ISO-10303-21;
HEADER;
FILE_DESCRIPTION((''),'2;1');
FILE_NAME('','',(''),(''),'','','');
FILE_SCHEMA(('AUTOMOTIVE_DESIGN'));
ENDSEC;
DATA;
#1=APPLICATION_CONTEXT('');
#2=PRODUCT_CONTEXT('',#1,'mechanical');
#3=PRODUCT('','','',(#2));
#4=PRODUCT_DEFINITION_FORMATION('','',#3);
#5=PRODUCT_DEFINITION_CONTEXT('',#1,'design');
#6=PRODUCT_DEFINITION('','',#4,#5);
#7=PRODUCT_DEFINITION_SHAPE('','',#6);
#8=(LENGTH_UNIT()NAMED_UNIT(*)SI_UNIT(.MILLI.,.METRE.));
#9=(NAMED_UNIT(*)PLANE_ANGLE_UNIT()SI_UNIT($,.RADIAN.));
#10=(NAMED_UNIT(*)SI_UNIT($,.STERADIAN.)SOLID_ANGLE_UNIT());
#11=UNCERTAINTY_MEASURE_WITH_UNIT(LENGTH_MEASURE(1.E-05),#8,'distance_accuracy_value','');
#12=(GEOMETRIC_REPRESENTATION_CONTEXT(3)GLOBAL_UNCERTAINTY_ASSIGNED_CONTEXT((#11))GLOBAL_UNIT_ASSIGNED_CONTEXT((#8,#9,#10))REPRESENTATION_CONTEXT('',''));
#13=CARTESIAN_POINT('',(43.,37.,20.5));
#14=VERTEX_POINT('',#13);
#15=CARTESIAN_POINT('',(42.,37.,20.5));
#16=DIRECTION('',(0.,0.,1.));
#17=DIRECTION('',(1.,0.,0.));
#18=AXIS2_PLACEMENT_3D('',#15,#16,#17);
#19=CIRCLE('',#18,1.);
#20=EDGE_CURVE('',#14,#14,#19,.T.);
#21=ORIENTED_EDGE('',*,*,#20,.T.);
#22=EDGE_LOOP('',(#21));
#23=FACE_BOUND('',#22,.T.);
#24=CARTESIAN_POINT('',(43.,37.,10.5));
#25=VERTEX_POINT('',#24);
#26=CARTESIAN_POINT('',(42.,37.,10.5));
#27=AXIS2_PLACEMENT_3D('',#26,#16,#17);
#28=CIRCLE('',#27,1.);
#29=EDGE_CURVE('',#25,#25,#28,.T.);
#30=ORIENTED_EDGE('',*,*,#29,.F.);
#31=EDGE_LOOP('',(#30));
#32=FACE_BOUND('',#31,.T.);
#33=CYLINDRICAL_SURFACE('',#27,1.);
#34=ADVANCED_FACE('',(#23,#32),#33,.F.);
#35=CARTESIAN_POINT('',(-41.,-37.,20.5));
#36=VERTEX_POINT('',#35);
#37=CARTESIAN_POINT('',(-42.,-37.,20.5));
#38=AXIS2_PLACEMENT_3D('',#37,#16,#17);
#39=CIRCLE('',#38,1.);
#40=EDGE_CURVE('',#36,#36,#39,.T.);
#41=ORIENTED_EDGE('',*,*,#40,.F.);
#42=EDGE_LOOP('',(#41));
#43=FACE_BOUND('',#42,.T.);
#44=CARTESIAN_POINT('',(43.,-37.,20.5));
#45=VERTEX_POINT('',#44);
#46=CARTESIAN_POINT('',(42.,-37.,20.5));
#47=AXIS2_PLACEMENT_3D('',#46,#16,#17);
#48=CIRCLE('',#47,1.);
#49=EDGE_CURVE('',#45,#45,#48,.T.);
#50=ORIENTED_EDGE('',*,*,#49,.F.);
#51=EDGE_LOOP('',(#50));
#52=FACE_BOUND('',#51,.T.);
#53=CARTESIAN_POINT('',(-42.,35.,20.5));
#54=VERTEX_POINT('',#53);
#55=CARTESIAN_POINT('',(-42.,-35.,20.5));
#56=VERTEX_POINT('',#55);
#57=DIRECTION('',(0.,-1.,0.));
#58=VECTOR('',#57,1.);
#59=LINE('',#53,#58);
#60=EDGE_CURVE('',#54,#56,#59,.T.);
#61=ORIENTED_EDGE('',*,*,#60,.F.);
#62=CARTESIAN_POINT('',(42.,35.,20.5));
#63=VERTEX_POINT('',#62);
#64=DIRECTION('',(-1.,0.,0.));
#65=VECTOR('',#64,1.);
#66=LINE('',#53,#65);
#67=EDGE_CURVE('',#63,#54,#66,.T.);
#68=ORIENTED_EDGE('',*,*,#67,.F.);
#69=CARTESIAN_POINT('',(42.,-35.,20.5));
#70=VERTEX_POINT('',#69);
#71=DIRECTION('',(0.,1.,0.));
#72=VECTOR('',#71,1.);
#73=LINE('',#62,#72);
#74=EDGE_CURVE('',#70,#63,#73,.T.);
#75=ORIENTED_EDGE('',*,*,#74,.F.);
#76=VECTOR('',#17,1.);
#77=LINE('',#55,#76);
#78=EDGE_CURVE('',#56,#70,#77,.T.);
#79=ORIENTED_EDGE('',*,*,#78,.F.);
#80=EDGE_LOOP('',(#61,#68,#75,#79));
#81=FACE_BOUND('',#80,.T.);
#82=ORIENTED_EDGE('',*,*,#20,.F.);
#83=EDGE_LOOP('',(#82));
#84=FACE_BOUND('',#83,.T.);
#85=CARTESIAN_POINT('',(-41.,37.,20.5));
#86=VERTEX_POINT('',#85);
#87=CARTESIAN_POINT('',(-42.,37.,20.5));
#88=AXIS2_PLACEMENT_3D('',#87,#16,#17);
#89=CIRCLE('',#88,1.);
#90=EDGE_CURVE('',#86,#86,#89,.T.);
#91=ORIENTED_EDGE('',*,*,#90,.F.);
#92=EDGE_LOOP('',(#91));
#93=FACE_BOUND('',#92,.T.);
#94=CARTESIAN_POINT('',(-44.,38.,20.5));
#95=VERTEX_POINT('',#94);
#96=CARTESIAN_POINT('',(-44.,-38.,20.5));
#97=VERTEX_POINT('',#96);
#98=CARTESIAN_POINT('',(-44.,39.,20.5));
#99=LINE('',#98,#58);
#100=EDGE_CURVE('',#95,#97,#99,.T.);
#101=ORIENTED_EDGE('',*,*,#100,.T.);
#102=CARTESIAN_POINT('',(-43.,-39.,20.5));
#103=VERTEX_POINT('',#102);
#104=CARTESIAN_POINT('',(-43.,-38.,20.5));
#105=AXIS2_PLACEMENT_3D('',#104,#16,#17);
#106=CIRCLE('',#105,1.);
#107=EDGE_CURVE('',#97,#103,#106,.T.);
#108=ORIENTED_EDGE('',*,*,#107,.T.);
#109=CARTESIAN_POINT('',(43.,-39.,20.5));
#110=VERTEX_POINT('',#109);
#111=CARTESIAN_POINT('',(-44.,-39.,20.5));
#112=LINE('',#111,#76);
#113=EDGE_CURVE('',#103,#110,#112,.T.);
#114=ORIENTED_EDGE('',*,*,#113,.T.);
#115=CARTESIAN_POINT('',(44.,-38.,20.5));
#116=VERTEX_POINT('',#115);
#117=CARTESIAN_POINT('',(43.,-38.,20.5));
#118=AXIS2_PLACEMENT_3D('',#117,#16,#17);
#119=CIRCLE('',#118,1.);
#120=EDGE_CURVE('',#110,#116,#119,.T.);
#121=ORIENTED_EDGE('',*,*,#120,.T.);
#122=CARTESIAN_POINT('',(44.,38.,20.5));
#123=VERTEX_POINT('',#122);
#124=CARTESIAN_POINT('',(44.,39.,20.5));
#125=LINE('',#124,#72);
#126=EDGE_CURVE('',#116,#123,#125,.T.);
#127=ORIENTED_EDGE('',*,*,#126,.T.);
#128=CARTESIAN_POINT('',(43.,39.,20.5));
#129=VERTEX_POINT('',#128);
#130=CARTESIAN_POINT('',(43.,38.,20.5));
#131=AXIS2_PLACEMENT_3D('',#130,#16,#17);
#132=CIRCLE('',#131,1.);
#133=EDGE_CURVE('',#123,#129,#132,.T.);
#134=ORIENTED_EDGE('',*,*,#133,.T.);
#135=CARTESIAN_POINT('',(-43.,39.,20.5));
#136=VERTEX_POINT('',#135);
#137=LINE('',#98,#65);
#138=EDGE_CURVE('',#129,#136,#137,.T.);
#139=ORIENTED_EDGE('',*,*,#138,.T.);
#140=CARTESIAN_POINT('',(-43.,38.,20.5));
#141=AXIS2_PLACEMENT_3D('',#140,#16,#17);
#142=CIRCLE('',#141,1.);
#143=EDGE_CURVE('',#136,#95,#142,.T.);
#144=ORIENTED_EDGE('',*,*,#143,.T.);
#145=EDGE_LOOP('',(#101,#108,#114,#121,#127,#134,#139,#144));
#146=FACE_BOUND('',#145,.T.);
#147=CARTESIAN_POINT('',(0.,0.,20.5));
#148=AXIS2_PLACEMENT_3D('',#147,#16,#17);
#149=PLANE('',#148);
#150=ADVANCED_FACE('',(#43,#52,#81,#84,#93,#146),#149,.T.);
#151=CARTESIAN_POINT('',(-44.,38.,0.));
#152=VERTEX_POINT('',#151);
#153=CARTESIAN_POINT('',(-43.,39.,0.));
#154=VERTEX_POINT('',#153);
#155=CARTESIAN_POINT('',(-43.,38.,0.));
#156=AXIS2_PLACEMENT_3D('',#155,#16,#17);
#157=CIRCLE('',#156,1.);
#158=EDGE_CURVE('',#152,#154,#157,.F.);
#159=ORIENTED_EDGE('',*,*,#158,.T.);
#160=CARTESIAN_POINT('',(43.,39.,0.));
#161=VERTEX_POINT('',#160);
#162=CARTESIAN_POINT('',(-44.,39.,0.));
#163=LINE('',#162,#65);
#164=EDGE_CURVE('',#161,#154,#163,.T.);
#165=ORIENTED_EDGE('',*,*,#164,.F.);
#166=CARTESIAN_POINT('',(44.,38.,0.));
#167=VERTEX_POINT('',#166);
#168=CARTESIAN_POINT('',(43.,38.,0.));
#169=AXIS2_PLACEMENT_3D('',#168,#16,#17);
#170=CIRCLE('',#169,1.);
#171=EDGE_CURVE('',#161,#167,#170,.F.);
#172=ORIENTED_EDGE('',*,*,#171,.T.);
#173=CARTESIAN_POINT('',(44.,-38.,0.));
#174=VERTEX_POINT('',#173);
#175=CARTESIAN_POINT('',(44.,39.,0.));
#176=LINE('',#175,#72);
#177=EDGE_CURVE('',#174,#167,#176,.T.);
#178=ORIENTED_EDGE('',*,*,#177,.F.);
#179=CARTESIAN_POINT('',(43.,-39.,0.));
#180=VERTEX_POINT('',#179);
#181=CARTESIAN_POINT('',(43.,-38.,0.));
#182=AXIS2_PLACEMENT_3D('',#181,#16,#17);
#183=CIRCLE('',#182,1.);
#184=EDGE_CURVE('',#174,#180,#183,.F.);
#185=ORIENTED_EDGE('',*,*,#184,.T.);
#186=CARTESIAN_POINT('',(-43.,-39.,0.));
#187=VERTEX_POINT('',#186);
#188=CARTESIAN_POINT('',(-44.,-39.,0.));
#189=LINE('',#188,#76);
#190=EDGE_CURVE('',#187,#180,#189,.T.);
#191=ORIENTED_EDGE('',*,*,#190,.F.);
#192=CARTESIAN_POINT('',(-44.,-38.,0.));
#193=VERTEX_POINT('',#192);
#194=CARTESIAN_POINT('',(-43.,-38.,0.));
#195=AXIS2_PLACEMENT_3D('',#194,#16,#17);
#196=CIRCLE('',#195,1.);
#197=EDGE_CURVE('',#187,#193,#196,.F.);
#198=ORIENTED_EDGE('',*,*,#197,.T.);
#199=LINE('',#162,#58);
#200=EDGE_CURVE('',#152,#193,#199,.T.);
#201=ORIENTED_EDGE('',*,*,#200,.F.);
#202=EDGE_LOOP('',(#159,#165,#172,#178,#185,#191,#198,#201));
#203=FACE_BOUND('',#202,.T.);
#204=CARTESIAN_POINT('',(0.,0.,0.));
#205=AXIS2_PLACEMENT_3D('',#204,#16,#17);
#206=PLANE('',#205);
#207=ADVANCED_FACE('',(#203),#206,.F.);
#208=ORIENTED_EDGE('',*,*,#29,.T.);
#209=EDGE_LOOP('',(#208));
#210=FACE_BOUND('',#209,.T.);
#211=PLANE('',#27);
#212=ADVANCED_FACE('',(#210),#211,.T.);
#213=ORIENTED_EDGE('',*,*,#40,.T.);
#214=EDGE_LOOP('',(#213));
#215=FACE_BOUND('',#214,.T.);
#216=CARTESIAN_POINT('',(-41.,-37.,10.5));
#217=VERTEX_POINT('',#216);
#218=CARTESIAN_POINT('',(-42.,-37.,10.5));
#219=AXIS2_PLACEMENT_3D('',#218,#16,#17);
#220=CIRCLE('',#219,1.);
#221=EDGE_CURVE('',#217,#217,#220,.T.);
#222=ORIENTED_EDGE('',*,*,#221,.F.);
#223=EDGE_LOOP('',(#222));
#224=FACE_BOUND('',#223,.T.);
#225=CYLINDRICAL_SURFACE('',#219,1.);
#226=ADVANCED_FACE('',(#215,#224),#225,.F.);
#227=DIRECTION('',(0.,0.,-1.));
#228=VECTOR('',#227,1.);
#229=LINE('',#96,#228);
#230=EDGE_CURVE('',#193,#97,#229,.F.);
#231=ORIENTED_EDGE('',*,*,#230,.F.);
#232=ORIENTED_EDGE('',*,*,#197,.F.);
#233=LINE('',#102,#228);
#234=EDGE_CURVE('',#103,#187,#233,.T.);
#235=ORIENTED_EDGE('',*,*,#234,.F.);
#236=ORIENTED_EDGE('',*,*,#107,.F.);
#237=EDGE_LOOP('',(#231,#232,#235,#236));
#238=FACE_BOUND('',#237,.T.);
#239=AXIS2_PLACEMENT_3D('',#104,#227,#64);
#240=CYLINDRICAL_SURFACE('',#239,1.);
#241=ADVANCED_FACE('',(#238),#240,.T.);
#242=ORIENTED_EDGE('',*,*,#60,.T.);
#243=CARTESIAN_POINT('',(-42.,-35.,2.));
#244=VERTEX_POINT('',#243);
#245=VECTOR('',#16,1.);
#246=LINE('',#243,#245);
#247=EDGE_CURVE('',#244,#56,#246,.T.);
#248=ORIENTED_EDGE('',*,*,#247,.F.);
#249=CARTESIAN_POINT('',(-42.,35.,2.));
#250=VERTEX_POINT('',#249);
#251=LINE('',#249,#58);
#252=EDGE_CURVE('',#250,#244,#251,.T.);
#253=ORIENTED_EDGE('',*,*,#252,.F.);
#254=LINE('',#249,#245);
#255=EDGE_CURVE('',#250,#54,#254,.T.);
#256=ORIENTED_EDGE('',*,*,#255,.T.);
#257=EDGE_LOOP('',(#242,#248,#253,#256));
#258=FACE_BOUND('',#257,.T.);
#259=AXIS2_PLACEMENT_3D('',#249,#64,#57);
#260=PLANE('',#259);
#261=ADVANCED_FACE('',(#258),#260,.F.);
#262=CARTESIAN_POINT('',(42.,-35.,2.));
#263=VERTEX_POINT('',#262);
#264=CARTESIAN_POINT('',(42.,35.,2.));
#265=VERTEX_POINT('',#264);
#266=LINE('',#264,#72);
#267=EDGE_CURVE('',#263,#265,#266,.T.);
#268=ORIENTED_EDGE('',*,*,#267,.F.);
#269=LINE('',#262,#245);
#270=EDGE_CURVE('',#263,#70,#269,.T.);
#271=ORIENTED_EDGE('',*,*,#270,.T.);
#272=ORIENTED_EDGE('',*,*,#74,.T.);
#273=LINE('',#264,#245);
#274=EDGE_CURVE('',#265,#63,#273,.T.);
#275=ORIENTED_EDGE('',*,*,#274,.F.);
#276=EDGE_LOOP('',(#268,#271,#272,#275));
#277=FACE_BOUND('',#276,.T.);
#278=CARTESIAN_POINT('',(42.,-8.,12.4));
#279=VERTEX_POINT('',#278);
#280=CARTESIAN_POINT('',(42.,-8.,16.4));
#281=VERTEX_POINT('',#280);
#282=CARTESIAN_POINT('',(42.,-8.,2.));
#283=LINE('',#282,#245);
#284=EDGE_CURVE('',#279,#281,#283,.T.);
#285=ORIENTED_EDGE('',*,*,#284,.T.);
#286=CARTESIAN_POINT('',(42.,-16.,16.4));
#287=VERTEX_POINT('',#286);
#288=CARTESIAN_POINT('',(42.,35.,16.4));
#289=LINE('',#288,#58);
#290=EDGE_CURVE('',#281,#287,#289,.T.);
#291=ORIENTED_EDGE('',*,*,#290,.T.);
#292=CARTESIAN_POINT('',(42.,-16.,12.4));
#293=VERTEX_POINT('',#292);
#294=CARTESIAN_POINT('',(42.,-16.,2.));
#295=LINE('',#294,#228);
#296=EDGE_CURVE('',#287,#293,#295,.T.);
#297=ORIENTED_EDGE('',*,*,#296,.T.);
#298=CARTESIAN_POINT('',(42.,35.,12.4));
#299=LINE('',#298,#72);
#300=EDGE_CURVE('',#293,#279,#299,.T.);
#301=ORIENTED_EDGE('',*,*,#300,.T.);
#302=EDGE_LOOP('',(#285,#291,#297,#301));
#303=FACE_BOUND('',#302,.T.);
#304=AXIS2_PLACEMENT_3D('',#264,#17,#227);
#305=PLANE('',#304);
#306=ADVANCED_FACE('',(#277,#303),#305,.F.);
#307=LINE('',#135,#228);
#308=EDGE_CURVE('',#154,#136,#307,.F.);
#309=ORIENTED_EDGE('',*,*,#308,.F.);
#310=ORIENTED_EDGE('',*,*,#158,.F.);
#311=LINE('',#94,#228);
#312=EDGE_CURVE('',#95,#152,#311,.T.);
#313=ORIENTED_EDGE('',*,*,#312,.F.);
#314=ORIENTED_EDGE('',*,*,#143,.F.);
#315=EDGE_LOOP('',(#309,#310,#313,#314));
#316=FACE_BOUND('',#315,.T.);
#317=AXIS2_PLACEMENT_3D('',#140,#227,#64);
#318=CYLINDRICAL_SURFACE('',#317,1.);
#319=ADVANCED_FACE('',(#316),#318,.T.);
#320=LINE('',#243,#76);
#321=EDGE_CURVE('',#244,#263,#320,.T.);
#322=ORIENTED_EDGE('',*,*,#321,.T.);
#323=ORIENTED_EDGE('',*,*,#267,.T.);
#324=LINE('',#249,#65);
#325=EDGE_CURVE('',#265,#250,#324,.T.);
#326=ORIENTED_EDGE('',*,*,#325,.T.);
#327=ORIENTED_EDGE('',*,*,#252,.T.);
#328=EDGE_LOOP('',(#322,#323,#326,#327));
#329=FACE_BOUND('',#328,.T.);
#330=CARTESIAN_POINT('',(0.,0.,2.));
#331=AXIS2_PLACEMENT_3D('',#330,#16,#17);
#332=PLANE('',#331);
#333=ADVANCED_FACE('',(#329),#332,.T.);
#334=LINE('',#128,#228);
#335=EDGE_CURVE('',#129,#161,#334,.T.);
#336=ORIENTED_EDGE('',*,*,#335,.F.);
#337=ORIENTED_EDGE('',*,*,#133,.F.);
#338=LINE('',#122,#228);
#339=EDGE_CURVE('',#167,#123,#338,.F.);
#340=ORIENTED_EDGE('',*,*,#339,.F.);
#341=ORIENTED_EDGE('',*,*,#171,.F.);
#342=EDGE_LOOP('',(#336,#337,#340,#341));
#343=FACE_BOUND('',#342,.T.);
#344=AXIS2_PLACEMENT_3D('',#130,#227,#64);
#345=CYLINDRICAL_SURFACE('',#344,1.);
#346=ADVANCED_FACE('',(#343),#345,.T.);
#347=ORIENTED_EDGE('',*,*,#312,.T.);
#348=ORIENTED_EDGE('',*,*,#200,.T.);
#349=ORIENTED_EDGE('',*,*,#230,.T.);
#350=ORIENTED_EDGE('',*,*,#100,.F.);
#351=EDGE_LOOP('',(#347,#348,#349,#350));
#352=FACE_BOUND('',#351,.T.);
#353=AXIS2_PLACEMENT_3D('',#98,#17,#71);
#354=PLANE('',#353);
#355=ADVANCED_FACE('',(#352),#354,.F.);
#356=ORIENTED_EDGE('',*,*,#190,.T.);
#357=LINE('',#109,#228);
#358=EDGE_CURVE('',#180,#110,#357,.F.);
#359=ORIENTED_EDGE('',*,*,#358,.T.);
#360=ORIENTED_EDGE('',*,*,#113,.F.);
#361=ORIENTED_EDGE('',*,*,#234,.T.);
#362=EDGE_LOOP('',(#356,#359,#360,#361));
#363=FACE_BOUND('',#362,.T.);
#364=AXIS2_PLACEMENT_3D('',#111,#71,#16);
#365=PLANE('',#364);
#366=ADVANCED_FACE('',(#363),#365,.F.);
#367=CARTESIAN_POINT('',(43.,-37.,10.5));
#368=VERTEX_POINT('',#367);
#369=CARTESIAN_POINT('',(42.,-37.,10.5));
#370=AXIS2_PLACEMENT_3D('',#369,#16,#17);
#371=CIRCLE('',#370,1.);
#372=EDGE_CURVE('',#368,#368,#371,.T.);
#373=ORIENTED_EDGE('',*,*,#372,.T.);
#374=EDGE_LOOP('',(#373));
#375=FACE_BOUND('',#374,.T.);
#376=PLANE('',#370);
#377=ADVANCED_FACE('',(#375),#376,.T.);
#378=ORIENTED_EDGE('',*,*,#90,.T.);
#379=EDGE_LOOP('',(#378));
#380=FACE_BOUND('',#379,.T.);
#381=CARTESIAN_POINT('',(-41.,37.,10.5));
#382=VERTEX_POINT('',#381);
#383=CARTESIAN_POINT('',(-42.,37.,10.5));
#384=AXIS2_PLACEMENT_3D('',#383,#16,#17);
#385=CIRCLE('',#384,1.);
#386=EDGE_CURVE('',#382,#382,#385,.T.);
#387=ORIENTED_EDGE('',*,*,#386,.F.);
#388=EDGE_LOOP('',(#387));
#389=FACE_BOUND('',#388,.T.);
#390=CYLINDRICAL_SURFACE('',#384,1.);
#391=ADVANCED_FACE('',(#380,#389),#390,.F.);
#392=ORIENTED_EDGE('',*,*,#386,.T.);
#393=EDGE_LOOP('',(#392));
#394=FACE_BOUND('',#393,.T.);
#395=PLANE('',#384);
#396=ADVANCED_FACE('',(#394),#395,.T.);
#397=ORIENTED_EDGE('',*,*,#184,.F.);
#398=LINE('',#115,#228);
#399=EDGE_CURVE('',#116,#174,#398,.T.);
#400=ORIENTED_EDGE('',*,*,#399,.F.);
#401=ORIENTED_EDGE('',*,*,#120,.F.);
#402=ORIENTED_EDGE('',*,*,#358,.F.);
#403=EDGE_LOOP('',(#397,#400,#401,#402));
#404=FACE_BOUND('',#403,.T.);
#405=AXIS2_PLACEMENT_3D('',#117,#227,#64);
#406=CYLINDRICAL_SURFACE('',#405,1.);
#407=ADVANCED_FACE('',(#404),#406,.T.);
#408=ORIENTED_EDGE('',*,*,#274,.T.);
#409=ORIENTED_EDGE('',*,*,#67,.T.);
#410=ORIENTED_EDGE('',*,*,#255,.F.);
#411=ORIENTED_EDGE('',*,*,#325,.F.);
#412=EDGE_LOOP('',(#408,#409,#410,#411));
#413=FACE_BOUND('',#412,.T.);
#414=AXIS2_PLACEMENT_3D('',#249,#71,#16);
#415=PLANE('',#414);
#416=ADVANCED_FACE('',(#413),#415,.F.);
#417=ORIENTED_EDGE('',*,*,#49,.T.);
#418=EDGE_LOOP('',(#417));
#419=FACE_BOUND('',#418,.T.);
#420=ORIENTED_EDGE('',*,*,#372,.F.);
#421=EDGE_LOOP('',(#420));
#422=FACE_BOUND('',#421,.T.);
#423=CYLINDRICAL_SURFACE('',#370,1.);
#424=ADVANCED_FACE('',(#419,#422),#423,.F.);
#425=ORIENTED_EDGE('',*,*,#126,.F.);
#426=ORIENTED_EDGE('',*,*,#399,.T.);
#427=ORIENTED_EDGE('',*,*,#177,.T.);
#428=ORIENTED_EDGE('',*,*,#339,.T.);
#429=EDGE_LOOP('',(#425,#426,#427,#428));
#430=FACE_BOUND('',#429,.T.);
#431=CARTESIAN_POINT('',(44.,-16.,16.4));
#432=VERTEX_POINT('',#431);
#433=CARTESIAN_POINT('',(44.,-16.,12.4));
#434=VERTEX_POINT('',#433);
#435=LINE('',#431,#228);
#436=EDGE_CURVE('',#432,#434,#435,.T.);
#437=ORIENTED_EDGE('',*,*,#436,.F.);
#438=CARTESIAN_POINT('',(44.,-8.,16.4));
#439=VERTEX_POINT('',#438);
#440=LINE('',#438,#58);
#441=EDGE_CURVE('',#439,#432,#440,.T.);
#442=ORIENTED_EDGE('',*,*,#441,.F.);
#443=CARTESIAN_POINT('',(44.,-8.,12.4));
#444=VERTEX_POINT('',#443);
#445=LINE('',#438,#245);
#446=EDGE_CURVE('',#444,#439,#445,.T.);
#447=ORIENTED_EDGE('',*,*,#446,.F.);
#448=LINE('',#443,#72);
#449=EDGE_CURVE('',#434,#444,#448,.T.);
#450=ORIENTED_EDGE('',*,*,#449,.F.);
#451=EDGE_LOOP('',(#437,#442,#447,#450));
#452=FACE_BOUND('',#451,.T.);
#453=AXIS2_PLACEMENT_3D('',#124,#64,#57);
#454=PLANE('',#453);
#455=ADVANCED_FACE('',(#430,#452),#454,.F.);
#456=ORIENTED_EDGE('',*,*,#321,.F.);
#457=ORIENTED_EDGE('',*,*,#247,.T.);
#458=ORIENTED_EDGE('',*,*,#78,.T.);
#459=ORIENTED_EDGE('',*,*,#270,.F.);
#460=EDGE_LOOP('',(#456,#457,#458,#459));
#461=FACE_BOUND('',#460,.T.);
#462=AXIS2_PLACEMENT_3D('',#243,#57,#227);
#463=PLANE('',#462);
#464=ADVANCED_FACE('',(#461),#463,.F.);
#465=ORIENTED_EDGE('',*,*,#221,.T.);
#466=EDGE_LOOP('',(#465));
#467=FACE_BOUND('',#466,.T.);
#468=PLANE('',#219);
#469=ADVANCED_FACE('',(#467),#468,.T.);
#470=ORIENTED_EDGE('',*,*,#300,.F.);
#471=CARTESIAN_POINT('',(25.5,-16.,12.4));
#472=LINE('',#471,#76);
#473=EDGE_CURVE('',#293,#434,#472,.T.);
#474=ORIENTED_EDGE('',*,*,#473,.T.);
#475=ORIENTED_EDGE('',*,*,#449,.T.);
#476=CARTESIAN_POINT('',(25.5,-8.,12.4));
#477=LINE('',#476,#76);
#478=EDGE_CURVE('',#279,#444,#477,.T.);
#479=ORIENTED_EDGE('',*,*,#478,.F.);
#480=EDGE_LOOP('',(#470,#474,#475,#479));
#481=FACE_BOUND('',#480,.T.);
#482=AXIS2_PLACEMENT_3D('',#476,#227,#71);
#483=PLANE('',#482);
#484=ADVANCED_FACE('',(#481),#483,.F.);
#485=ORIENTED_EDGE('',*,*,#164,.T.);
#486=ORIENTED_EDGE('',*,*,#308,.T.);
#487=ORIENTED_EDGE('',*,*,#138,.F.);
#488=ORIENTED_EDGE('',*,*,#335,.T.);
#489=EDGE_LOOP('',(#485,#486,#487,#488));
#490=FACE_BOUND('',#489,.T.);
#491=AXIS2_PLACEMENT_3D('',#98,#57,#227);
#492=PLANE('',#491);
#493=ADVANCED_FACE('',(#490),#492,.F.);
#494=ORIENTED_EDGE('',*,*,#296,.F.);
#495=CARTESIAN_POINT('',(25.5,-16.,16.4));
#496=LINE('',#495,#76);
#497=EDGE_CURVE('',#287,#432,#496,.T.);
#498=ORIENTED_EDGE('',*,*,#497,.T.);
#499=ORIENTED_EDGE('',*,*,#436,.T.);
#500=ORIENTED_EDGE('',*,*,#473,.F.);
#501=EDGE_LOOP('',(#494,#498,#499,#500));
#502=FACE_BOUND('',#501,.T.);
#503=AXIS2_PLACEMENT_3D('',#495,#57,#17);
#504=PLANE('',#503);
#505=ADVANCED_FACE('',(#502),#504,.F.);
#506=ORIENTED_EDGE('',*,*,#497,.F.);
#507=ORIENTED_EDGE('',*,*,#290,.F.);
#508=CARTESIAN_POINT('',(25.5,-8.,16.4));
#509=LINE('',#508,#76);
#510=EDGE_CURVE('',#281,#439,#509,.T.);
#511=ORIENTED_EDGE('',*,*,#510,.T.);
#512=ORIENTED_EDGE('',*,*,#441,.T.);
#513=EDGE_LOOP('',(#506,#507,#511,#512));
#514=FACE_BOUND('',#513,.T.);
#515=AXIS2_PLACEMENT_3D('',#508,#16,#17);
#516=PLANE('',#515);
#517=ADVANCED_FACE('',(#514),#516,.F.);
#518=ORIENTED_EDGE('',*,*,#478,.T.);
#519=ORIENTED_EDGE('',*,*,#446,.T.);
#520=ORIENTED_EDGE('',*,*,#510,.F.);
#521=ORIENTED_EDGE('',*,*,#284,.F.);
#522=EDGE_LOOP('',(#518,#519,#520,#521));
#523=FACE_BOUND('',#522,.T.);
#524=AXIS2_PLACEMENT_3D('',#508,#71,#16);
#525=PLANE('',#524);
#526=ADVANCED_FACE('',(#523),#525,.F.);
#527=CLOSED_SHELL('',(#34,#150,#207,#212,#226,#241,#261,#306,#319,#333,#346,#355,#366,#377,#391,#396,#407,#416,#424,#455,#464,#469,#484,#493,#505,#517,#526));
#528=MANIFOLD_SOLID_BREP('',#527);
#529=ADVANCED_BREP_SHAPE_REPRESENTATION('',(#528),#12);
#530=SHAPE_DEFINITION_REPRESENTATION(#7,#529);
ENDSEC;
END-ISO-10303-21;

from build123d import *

# Parameters (mm, degrees)
SKETCH2_W           = 88
SKETCH2_H           = 78
BOSS_EXTRUDE1_DEPTH = 20.5
SKETCH5_W           = 84
SKETCH5_H           = 70
CUT_EXTRUDE1_DEPTH  = 18.5
SKETCH6_W           = 4
SKETCH6_H           = 8
CUT_EXTRUDE2_DEPTH  = 18.5
SKETCH7_R           = 1
CUT_EXTRUDE3_DEPTH  = 10
FILLET2_R           = 1


with BuildPart() as part:
    # Sketch2 → Boss-Extrude1 (new body)
    with BuildSketch(Plane.XY):
        Rectangle(SKETCH2_W, SKETCH2_H)
    extrude(amount=BOSS_EXTRUDE1_DEPTH)

    # Sketch5 → Cut-Extrude1 (cut)
    with BuildSketch(Plane.XY.offset(20.5)):
        Rectangle(SKETCH5_W, SKETCH5_H)
    extrude(amount=-CUT_EXTRUDE1_DEPTH, mode=Mode.SUBTRACT)

    # Sketch6 → Cut-Extrude2 (cut)
    with BuildSketch(Plane(origin=(44, 0, 0), x_dir=(0, 0, -1), z_dir=(1, 0, 0))):
        with Locations((-14.4, -12)):
            Rectangle(SKETCH6_W, SKETCH6_H)
    extrude(amount=-CUT_EXTRUDE2_DEPTH, mode=Mode.SUBTRACT)

    # Sketch7 → Cut-Extrude3 (cut)
    with BuildSketch(Plane.XY.offset(20.5)):
        with Locations((-42, 37)):
            Circle(SKETCH7_R)
        with Locations((-42, -37)):
            Circle(SKETCH7_R)
        with Locations((42, -37)):
            Circle(SKETCH7_R)
        with Locations((42, 37)):
            Circle(SKETCH7_R)
    extrude(amount=-CUT_EXTRUDE3_DEPTH, mode=Mode.SUBTRACT)

    # Fillet2
    fillet2_edges = [part.edges().sort_by_distance(p)[0] for p in [
        (44, -39, 10.25),
        (-44, -39, 10.25),
        (-44, 39, 10.25),
        (44, 39, 10.25),
    ]]
    fillet(fillet2_edges, radius=FILLET2_R)


solid = part.part
